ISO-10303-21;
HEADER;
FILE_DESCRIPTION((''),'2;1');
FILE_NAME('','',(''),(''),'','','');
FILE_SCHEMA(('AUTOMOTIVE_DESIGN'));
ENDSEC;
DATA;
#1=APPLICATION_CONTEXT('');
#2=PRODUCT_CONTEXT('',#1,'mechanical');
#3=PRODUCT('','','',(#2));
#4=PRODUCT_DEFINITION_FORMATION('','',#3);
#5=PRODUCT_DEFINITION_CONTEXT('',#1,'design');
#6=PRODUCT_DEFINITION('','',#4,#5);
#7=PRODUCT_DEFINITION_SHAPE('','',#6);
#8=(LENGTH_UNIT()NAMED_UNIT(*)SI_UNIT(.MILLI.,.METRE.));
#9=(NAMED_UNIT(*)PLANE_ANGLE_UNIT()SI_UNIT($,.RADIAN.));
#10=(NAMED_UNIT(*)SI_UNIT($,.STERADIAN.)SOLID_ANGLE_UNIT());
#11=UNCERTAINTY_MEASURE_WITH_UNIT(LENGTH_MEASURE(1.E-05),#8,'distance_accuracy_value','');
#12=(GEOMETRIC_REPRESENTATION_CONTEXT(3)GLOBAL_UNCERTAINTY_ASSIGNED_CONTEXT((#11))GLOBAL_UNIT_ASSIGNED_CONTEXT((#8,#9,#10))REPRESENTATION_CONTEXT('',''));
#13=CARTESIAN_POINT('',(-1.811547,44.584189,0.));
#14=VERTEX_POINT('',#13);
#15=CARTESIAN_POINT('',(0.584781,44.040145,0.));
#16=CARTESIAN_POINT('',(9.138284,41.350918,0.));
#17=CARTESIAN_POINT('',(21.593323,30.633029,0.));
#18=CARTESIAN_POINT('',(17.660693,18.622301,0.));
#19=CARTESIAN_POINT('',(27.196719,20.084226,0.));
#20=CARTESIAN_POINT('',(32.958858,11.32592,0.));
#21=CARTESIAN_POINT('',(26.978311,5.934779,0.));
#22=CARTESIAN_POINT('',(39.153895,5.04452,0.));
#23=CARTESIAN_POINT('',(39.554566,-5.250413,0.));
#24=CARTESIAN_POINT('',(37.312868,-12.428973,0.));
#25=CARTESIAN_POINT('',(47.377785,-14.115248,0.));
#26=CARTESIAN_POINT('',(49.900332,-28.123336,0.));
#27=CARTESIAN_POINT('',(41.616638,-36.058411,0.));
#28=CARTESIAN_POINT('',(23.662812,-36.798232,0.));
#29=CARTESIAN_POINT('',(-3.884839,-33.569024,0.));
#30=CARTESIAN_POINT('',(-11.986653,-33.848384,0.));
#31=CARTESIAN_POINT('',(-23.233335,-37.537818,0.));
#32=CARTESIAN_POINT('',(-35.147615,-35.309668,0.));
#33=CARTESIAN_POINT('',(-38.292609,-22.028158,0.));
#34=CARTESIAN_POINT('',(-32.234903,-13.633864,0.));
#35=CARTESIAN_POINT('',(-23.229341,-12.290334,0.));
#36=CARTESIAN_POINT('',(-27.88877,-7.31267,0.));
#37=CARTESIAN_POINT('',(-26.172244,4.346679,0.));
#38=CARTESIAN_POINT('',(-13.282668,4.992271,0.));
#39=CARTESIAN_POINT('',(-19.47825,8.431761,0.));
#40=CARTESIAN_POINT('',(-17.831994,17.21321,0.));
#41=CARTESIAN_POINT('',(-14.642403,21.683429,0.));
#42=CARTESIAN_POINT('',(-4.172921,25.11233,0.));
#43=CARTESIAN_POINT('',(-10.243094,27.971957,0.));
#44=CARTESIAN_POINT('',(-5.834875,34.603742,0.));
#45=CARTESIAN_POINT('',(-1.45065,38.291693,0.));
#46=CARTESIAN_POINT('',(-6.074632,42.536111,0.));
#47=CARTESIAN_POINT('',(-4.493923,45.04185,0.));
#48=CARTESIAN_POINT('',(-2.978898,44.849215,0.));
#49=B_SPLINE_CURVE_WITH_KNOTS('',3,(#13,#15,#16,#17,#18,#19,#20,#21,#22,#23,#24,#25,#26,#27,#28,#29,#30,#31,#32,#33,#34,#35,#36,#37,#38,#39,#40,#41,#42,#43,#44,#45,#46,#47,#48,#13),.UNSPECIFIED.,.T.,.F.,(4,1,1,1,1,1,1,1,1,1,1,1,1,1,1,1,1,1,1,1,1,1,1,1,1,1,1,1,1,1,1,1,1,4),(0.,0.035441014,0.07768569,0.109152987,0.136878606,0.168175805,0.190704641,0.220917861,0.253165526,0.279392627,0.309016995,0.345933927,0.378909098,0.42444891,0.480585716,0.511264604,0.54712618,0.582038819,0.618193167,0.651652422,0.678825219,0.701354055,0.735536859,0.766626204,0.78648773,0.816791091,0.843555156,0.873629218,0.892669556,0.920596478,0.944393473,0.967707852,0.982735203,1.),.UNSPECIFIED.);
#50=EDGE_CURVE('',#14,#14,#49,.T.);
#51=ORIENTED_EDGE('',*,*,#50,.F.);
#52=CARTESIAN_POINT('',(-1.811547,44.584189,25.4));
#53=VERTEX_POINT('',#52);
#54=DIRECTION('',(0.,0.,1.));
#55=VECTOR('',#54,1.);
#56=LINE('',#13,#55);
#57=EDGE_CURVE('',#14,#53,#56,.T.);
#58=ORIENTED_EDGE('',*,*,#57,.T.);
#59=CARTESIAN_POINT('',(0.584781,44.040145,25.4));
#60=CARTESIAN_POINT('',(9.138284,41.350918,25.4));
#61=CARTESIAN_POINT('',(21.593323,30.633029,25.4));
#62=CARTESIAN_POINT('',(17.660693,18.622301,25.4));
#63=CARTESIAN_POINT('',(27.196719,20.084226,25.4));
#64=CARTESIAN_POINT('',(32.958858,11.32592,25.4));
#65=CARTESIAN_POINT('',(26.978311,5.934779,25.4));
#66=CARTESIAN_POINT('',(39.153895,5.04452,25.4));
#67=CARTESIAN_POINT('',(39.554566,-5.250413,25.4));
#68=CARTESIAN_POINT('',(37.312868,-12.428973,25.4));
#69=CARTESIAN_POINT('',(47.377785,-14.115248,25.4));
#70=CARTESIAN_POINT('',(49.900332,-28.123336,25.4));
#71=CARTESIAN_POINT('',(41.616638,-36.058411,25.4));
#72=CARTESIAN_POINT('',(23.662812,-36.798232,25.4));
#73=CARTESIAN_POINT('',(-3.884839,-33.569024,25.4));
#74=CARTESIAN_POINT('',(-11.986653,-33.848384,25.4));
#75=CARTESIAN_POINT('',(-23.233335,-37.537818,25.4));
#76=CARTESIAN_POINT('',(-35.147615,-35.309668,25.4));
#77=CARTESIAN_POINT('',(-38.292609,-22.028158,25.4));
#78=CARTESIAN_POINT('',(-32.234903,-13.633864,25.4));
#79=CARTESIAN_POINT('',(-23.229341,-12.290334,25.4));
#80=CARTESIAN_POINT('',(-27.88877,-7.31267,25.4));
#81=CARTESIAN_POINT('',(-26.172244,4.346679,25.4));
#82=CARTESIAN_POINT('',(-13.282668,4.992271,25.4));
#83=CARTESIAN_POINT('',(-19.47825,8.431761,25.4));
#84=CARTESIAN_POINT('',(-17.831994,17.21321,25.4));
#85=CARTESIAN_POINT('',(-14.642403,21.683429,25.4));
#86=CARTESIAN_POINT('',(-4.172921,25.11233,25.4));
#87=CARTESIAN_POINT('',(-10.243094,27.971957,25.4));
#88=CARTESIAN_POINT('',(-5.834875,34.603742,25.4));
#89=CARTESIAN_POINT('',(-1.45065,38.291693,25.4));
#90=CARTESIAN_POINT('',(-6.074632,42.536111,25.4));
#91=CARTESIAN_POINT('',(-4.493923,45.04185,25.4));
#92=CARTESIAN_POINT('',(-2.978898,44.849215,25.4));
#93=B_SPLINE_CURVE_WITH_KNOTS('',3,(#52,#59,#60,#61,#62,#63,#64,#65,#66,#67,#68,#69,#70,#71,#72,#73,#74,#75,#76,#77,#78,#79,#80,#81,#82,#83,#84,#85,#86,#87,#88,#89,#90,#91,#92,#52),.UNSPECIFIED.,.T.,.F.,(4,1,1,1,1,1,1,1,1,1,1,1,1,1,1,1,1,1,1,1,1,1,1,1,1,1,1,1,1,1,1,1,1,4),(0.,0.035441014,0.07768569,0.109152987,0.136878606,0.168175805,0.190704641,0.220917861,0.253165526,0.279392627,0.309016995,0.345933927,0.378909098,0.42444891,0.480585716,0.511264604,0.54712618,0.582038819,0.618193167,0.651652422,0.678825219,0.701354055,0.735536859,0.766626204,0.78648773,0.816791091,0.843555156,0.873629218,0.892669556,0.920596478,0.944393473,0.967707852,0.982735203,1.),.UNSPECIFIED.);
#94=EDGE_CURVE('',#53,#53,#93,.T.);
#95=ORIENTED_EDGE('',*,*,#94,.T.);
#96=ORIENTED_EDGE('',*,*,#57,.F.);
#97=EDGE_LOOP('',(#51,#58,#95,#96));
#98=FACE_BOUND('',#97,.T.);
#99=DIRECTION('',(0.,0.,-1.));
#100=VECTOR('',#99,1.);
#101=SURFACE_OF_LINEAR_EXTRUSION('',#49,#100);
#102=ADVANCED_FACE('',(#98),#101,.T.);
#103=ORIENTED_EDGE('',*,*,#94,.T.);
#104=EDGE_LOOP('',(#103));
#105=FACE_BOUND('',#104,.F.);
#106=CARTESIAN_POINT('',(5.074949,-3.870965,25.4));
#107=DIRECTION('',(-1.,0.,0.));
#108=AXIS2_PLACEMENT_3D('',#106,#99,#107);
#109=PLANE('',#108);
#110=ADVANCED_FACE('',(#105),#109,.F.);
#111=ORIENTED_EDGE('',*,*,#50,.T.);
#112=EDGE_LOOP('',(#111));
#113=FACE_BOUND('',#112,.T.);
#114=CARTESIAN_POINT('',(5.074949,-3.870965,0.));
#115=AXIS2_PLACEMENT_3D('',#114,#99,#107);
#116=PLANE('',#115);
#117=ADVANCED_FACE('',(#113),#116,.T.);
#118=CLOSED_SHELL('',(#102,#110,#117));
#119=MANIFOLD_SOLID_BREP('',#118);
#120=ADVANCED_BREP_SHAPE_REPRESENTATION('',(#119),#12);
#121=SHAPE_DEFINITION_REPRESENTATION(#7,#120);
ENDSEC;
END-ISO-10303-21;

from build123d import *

# Parameters (mm, degrees)
F1_DEPTH = 25.4


with BuildPart() as f1:
    # F0 (on Top) → F1 (new body)
    with BuildSketch(Plane.XY):
        with BuildLine():
            add(Edge.make_bspline(
                [(-1.8115468556, 44.5841886103), (0.5847813329, 44.0401447315), (9.138283961, 41.3509184917), (21.593322775, 30.6330292245), (17.6606932888, 18.6223013739), (27.1967193751, 20.0842255978), (32.9588578784, 11.3259202149), (26.9783111055, 5.9347790737), (39.153894842, 5.0445199616), (39.5545661975, -5.2504131076), (37.3128679429, -12.4289734317), (47.3777846624, -14.1152476578), (49.9003317851, -28.1233364023), (41.6166380171, -36.0584105024), (23.6628119629, -36.7982315201), (-3.8848393545, -33.5690244167), (-11.9866526889, -33.848384052), (-23.2333354514, -37.5378178782), (-35.147615023, -35.3096677225), (-38.2926092594, -22.0281584778), (-32.2349034203, -13.6338636723), (-23.2293405105, -12.2903336113), (-27.8887699459, -7.3126703143), (-26.1722438763, 4.3466789931), (-13.2826681537, 4.9922711447), (-19.4782502823, 8.4317610762), (-17.8319942239, 17.2132103049), (-14.642402751, 21.6834286162), (-4.1729213207, 25.1123302632), (-10.2430938011, 27.9719569085), (-5.834875011, 34.6037423445), (-1.450649774, 38.291692516), (-6.0746323796, 42.5361112474), (-4.4939225245, 45.0418500627), (-2.9788982881, 44.8492150805), (-1.8115468556, 44.5841886103)],
                knots=[0, 0, 0, 0, 0.0354410143, 0.0776856903, 0.1091529873, 0.1368786059, 0.168175805, 0.1907046415, 0.2209178607, 0.2531655261, 0.2793926275, 0.3090169953, 0.3459339274, 0.3789090978, 0.4244489101, 0.4805857156, 0.5112646035, 0.5471261797, 0.5820388187, 0.6181931667, 0.6516524215, 0.6788252195, 0.7013540552, 0.7355368586, 0.7666262044, 0.7864877304, 0.8167910914, 0.843555156, 0.8736292185, 0.8926695558, 0.9205964782, 0.9443934725, 0.9677078523, 0.9827352034, 1, 1, 1, 1], degree=3))
        make_face()
    extrude(amount=F1_DEPTH)


solid = f1.part
